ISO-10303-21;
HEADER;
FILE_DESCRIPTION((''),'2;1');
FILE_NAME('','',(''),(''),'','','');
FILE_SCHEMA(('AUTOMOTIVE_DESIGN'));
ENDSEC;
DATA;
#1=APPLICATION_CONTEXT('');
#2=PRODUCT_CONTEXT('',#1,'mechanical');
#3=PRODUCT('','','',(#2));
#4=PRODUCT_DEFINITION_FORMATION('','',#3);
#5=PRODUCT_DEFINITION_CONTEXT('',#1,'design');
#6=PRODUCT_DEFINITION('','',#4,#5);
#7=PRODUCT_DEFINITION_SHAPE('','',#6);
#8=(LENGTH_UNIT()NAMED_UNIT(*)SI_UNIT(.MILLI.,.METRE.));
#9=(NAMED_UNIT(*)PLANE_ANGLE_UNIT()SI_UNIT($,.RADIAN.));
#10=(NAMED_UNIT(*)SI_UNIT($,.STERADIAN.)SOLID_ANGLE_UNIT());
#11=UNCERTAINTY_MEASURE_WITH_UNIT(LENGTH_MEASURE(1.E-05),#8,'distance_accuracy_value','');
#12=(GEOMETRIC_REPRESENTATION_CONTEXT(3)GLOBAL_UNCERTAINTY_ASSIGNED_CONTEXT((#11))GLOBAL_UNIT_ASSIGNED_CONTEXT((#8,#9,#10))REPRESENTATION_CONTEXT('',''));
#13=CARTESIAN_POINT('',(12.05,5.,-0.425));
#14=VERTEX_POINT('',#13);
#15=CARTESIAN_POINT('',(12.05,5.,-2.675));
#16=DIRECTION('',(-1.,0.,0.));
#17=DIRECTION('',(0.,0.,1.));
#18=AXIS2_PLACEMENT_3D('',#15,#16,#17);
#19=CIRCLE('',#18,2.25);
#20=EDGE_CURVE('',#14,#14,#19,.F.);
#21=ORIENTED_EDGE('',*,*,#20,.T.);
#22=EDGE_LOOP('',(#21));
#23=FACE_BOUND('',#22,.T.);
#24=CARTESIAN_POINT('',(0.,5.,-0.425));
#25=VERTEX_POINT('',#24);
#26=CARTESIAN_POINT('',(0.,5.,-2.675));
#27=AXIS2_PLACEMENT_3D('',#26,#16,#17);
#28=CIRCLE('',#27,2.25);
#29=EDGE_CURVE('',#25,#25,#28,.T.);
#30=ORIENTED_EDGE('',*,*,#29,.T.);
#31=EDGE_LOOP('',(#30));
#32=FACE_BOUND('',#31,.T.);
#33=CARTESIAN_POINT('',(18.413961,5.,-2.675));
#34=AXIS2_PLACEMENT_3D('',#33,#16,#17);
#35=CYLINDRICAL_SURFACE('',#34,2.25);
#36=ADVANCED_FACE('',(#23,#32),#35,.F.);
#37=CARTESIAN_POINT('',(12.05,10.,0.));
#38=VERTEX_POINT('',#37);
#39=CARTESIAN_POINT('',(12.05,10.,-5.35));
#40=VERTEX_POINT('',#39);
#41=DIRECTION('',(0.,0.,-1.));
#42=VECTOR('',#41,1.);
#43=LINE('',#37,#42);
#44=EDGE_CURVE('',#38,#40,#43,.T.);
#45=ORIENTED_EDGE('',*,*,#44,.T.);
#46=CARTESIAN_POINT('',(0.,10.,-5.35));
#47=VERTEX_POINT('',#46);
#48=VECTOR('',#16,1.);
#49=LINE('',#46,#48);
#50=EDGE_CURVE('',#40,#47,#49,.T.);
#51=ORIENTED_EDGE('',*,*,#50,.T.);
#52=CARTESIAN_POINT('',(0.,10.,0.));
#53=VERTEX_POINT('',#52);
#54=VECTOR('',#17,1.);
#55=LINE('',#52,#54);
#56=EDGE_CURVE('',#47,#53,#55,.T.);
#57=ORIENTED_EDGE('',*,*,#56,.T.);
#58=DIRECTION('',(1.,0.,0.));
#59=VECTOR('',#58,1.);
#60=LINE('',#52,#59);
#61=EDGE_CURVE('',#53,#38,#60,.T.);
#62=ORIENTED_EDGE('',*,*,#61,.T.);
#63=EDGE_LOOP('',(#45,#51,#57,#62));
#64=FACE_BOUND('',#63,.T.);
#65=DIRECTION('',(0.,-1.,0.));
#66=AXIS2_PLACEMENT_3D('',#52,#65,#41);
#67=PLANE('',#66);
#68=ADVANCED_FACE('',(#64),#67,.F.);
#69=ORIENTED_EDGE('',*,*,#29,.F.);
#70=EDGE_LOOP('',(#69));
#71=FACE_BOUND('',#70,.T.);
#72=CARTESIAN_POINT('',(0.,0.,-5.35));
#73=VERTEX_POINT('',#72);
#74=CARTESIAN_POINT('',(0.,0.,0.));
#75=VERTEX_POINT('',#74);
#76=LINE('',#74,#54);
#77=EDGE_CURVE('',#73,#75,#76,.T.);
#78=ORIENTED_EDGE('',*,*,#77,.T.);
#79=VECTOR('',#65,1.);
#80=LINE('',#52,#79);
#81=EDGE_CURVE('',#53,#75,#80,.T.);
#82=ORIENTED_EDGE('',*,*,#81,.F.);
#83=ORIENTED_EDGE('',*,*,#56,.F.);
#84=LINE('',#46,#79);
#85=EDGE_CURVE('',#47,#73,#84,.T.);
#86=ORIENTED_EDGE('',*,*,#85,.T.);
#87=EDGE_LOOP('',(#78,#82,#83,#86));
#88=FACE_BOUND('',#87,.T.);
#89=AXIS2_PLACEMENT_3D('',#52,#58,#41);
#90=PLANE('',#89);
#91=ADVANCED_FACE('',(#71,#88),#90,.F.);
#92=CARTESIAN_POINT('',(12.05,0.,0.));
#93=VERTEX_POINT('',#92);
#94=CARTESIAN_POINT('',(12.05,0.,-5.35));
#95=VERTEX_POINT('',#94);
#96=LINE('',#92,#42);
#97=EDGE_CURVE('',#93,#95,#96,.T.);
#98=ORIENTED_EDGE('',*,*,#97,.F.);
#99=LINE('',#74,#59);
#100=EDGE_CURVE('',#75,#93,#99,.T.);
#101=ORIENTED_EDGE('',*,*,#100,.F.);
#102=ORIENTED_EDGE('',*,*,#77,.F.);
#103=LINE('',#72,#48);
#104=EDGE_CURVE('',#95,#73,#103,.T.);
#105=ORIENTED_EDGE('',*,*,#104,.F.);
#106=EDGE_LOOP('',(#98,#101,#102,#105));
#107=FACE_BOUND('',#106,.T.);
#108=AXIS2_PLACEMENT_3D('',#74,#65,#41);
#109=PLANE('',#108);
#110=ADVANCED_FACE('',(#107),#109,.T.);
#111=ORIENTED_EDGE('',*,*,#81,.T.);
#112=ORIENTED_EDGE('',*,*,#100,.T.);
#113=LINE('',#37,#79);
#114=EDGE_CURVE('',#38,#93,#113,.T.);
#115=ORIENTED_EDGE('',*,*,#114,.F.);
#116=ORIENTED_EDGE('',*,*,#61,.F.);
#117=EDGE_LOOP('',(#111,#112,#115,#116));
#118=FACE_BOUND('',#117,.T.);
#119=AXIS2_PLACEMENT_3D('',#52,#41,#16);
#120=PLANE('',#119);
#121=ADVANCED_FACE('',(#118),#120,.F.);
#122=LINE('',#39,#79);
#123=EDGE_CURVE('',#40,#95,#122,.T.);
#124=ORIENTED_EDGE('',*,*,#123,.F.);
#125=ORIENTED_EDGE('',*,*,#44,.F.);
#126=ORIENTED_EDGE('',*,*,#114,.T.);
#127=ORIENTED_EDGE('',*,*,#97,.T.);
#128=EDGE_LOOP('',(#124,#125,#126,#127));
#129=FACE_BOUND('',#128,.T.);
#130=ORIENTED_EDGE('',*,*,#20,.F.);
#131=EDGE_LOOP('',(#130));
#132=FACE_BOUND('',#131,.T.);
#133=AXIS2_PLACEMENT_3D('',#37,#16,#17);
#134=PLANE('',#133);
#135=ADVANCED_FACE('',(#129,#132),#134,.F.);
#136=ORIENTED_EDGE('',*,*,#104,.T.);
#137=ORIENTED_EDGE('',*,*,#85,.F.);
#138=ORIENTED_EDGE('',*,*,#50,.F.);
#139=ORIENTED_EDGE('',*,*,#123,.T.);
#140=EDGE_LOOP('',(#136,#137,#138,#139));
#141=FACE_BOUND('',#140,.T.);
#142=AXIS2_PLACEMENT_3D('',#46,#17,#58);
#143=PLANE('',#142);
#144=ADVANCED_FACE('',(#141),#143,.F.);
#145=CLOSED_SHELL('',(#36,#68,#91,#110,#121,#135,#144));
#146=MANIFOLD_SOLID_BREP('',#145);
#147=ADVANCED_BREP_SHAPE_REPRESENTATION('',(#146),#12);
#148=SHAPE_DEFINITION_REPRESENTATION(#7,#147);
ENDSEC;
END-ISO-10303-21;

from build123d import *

# Parameters (mm, degrees)
SKETCH1_W           = 12.05
SKETCH1_H           = 5.35
BOSS_EXTRUDE1_DEPTH = 10
SKETCH3_R           = 2.25
CUT_EXTRUDE2_DEPTH  = 12.05


with BuildPart() as part:
    # Sketch1 → Boss-Extrude1 (new body)
    with BuildSketch(Plane(origin=(0, 0, 0), x_dir=(1, 0, 0), z_dir=(0, 1, 0))):
        with Locations((6.025, 2.675)):
            Rectangle(SKETCH1_W, SKETCH1_H)
    extrude(amount=BOSS_EXTRUDE1_DEPTH)

    # Sketch3 → Cut-Extrude2 (cut)
    with BuildSketch(Plane.ZY):
        with Locations((-2.675, 5)):
            Circle(SKETCH3_R)
    extrude(amount=-CUT_EXTRUDE2_DEPTH, mode=Mode.SUBTRACT)


solid = part.part
